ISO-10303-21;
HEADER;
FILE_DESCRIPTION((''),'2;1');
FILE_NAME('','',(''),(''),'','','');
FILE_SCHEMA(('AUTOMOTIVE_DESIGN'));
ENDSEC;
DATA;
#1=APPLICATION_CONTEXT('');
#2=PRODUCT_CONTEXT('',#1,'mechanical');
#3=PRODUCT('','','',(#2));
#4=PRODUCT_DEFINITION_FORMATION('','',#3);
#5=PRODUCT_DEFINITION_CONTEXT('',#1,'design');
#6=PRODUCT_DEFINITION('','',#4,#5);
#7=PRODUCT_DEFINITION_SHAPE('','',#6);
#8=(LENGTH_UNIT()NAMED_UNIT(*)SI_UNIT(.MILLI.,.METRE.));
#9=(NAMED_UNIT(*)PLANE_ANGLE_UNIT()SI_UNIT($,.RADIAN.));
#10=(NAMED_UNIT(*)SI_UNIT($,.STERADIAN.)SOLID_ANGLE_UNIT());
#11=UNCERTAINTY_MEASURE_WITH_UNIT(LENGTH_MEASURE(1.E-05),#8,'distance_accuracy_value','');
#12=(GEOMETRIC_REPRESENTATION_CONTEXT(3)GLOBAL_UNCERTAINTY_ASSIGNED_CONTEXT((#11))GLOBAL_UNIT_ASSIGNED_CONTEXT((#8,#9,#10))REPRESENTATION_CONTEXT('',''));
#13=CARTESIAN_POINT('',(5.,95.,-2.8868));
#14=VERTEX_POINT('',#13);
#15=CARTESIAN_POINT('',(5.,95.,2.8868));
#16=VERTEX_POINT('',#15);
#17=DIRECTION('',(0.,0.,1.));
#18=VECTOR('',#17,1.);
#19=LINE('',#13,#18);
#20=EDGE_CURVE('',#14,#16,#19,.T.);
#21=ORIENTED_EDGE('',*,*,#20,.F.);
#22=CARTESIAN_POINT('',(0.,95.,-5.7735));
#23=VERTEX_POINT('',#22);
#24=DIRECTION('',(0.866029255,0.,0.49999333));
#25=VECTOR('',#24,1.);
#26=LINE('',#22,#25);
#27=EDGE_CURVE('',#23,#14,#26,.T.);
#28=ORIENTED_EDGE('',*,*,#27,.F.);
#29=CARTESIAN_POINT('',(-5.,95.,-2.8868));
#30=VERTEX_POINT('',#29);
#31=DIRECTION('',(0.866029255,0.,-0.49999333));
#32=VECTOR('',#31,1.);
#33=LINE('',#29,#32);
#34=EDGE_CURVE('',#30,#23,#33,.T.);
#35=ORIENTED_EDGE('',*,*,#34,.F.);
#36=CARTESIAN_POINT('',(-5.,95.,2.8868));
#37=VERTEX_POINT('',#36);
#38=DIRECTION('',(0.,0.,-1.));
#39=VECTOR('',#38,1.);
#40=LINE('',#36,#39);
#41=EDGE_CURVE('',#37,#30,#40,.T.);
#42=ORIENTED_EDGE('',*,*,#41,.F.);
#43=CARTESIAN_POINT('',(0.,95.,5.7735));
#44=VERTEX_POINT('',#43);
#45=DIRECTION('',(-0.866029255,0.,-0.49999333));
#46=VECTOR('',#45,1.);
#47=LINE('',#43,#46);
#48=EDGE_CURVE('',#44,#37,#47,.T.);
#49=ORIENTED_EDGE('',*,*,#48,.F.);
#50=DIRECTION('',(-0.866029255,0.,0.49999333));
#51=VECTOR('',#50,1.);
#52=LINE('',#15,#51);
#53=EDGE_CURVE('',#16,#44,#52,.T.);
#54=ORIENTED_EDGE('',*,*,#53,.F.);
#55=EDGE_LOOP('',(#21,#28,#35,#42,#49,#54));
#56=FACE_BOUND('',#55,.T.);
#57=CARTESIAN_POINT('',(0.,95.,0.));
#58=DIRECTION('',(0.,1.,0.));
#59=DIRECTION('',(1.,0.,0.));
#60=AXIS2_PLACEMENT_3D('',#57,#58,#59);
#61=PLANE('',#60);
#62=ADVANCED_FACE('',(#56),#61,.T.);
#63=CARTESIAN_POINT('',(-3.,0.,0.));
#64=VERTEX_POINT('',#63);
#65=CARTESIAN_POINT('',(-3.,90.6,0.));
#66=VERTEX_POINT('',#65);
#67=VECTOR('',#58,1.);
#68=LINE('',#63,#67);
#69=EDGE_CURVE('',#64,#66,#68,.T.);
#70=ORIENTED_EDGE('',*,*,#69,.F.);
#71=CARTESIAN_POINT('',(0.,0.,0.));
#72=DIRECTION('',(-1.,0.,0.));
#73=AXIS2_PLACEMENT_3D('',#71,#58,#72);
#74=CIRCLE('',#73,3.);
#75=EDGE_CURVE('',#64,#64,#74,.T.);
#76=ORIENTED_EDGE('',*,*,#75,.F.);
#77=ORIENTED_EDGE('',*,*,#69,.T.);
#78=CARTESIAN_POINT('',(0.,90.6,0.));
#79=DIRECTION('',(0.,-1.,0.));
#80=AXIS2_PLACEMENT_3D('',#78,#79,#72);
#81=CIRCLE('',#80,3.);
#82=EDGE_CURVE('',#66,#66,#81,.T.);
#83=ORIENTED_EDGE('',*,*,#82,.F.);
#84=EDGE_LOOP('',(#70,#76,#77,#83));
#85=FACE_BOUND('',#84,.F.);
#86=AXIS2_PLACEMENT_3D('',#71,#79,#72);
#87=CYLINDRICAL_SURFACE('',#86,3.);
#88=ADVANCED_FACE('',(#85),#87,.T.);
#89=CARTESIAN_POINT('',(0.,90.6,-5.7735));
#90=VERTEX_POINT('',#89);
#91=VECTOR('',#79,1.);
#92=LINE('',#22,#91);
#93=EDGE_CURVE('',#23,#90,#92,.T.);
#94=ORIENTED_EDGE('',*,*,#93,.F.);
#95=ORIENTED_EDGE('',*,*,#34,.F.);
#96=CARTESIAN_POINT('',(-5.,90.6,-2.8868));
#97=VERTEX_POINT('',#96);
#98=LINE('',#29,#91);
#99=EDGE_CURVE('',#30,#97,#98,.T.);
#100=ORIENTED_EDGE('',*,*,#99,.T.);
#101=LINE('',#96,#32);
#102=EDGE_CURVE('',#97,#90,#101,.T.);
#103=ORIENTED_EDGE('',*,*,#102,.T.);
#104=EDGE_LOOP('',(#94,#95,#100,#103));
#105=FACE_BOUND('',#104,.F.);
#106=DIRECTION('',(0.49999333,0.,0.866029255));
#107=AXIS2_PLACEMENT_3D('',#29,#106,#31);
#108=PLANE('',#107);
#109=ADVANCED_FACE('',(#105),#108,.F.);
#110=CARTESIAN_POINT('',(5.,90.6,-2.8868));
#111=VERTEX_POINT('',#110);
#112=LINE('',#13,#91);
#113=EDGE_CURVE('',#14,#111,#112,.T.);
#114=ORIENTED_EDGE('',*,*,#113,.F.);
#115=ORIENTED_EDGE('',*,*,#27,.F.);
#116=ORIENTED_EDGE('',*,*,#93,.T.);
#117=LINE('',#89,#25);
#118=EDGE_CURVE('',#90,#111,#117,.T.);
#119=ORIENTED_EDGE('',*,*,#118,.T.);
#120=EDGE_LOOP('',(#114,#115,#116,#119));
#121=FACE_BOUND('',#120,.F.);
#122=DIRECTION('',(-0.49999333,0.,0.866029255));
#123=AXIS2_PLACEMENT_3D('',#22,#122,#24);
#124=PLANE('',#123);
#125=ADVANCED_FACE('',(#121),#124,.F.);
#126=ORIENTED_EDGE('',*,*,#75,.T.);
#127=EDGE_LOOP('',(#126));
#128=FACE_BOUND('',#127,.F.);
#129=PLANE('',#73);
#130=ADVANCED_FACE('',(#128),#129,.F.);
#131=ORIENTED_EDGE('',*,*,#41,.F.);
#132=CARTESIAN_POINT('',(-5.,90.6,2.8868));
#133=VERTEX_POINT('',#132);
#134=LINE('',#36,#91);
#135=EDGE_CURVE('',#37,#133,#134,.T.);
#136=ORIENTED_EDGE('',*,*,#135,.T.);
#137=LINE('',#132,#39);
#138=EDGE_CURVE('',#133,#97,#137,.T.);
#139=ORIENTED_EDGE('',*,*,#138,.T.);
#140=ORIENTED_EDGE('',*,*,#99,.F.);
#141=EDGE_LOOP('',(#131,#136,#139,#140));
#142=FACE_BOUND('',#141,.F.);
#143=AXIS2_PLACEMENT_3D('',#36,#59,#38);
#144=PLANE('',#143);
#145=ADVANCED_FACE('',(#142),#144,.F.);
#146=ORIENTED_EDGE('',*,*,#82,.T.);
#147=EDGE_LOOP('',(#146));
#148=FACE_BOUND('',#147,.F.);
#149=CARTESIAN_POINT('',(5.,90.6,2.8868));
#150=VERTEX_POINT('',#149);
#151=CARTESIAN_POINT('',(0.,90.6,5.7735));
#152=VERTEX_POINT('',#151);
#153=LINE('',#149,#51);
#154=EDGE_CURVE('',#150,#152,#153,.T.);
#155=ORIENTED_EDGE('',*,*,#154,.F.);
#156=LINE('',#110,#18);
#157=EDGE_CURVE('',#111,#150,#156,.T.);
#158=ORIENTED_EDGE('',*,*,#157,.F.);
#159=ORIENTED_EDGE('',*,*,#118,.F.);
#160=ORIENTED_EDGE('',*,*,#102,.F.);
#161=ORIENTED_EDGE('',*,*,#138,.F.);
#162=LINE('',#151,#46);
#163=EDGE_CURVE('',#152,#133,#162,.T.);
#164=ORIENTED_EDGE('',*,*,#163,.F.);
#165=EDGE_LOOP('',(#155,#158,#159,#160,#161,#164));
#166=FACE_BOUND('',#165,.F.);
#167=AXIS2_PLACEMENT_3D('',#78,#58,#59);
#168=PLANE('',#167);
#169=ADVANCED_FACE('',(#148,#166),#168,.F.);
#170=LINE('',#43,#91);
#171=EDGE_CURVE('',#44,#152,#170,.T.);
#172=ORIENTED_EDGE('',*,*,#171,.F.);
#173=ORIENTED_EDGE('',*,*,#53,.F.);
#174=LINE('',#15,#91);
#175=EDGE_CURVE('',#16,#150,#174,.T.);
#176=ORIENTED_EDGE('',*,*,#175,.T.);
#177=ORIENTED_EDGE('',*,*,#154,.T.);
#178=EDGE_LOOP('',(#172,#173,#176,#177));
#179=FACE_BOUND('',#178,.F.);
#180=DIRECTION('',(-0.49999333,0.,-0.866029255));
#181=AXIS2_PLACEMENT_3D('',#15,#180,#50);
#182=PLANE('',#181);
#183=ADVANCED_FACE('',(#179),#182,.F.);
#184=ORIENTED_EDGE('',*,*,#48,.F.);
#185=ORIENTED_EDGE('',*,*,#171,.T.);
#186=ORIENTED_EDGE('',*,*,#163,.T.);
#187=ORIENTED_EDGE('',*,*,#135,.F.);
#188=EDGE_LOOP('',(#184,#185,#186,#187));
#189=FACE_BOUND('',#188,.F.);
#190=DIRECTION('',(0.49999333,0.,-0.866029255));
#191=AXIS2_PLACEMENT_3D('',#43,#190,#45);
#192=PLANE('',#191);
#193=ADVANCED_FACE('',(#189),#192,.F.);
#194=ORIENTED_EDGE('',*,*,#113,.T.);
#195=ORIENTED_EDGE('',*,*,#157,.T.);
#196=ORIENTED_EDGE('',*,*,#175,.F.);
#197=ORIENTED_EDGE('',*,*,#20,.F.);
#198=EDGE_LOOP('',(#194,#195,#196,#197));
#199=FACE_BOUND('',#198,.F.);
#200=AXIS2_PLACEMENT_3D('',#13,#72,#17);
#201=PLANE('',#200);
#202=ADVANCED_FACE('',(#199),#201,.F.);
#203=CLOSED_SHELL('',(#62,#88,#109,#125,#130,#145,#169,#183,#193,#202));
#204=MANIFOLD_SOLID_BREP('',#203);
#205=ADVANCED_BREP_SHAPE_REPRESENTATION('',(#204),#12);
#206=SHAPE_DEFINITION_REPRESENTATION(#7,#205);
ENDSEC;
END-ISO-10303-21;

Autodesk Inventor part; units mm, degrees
ref_plane "YZ Plane" through (0, 0, 0) normal (1, 0, 0) x (0, 1, 0)
ref_plane "XZ Plane" through (0, 0, 0) normal (0, 1, 0) x (-1, 0, 0)
ref_plane "XY Plane" through (0, 0, 0) normal (0, 0, 1) x (1, 0, 0)
sketch "Sketch1" plane through (0, 0, 0) normal (0, 1, 0) x (-1, 0, 0)
  circle A0 centre (0, 0) radius 3
  dimension "d0" = 6
extrude "Extrusion1" add sketch "Sketch1" along normal blind 95
sketch "Sketch2" plane through (0, 95, 0) normal (0, 1, 0) x (1, 0, 0)
  circle A0 centre (0, 0) radius 3 projected
  line L0 (-5, 2.8868) -> (0, 5.7735)
  line L1 (0, 5.7735) -> (5, 2.8868)
  line L2 (5, 2.8868) -> (5, -2.8868)
  line L3 (5, -2.8868) -> (0, -5.7735)
  line L4 (0, -5.7735) -> (-5, -2.8868)
  line L5 (-5, -2.8868) -> (-5, 2.8868)
  dimension "d3" = 10
extrude "Extrusion2" add sketch "Sketch2" against normal blind 4.4
properties part number "bolt" material "Stainless Steel, Austenitic"
